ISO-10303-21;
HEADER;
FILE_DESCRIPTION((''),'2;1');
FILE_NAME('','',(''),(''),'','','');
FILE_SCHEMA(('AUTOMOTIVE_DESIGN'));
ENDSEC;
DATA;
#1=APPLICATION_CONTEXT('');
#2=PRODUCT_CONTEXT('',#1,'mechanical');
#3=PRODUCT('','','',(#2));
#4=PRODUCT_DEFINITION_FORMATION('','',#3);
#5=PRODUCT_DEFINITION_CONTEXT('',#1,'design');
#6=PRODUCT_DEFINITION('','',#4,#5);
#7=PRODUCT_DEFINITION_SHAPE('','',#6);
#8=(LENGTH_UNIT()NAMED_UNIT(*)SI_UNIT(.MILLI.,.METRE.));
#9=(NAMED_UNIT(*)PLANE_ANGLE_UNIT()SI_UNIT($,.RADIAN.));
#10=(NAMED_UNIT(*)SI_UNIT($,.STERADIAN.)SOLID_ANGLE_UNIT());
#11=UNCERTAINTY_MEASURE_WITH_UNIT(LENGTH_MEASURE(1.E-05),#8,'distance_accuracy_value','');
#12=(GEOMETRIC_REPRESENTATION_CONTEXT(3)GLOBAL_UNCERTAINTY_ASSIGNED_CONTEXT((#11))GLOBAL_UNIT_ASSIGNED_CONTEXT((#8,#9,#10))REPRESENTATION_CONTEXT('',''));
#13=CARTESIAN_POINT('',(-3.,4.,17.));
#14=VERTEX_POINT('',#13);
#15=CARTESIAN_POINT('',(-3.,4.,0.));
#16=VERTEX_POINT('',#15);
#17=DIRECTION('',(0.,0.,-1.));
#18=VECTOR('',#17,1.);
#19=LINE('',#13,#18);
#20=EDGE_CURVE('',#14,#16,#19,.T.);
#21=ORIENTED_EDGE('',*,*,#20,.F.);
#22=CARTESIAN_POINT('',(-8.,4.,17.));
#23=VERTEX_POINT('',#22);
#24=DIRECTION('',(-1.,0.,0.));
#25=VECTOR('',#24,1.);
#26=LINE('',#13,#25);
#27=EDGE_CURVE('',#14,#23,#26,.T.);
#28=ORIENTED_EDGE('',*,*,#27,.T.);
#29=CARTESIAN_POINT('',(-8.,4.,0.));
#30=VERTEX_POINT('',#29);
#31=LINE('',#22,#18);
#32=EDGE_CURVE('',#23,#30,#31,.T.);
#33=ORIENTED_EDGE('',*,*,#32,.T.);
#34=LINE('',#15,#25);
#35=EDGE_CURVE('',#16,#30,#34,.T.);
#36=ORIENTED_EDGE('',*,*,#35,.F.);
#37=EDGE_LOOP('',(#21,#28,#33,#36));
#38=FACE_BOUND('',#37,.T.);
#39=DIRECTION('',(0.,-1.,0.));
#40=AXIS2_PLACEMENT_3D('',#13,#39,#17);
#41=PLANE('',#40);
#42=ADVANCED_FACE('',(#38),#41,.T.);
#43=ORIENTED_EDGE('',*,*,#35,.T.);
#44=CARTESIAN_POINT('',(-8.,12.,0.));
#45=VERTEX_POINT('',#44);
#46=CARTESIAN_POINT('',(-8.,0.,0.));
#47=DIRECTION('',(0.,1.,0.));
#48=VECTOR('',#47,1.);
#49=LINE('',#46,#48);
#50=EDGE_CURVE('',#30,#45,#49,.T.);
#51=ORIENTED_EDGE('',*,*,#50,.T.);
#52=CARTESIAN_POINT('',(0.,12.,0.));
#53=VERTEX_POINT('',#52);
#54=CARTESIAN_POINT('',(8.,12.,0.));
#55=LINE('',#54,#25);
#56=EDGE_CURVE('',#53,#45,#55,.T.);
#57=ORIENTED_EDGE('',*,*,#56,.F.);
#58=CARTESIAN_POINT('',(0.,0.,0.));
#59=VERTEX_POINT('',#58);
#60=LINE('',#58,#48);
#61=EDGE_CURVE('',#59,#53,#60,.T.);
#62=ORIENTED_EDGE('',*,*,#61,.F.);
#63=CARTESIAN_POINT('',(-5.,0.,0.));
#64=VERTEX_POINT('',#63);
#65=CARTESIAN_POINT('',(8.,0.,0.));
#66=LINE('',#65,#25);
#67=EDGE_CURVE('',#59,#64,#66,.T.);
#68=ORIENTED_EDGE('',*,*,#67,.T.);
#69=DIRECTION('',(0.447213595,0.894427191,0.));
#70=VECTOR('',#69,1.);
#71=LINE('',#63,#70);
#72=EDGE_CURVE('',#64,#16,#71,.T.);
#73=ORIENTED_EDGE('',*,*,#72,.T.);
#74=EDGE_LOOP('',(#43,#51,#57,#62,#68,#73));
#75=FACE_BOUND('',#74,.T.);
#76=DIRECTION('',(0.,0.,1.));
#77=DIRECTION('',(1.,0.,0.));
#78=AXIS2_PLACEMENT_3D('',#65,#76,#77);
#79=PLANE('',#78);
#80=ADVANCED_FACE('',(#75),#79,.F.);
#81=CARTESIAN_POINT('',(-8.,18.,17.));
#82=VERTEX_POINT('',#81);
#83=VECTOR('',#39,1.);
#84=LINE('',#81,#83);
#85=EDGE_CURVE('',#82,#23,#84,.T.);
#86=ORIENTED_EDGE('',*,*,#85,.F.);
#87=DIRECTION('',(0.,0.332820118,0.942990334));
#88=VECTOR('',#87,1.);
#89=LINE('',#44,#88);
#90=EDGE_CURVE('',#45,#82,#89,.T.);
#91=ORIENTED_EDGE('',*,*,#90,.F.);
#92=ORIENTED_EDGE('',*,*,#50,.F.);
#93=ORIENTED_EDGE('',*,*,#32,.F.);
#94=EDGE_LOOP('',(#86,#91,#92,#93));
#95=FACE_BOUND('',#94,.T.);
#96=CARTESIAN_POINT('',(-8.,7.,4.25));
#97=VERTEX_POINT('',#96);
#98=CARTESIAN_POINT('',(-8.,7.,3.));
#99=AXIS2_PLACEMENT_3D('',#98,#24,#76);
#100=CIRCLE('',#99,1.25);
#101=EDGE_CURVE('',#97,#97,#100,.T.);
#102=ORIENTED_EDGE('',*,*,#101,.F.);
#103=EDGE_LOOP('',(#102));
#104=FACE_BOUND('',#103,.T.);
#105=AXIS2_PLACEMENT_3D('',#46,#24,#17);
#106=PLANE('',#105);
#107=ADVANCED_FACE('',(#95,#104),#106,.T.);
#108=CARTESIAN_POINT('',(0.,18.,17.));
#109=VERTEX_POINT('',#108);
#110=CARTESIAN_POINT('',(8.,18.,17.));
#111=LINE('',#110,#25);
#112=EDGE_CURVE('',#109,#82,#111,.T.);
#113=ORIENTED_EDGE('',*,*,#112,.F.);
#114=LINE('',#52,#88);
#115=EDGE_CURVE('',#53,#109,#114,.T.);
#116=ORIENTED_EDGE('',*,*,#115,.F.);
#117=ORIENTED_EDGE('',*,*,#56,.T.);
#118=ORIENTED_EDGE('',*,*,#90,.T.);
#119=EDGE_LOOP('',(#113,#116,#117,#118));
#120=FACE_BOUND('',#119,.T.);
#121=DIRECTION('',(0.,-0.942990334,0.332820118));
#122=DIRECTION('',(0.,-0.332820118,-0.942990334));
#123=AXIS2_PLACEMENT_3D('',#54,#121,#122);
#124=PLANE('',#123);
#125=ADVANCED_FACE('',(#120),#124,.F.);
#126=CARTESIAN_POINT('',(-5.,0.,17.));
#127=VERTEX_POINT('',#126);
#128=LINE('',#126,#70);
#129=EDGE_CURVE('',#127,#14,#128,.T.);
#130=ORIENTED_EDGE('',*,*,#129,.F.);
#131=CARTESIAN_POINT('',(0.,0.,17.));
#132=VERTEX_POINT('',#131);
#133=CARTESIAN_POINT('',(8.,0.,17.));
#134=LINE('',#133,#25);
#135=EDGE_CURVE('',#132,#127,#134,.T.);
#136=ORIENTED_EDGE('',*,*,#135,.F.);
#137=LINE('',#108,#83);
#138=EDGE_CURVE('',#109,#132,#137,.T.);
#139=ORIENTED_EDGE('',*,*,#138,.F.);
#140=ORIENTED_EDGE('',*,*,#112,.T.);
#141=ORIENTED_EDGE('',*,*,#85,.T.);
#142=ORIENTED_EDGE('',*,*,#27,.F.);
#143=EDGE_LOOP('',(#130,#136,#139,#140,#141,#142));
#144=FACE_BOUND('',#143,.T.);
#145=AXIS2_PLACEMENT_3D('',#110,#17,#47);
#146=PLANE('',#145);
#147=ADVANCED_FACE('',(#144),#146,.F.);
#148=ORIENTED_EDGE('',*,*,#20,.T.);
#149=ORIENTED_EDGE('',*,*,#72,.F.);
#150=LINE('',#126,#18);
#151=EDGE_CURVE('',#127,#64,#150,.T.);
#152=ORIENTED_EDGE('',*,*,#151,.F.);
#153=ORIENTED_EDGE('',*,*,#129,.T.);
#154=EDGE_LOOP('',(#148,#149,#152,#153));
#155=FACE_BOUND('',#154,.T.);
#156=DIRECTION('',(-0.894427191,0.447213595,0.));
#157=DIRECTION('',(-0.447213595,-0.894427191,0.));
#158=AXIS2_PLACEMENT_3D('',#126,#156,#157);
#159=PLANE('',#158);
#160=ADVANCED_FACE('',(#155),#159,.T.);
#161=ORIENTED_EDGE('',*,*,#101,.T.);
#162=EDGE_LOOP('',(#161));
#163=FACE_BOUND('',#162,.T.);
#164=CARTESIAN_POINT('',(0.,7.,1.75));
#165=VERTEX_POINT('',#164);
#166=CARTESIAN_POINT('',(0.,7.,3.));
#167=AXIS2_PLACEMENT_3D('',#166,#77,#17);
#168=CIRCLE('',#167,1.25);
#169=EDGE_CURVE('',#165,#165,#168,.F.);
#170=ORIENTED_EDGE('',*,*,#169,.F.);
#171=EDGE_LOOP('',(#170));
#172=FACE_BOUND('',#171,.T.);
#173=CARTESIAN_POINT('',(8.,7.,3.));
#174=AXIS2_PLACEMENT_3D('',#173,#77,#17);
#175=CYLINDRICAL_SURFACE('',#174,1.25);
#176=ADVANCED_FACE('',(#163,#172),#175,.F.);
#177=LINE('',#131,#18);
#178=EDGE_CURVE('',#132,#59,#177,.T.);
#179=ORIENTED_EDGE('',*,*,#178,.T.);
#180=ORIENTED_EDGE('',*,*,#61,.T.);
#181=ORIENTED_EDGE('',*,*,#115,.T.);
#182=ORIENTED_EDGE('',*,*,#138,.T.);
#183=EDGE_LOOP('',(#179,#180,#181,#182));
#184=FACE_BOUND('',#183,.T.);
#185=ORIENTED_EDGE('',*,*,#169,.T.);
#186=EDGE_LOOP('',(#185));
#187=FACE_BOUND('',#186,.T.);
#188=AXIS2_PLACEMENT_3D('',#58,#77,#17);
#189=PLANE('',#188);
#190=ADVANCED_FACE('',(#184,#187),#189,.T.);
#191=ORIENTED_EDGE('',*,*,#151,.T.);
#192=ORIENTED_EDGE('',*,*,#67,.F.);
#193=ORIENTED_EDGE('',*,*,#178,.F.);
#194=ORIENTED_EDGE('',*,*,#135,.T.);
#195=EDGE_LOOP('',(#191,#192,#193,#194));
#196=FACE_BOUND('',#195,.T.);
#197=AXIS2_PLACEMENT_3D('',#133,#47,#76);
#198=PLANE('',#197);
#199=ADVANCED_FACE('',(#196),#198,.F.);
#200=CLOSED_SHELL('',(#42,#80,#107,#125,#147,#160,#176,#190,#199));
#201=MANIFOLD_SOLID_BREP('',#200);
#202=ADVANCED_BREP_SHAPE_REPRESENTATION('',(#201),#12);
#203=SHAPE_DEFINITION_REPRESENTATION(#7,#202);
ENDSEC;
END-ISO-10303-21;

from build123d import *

# Parameters (mm, degrees)
BOSS_EXTRUDE1_DEPTH   = 8
CUT_EXTRUDE2_DEPTH    = 27.019223663
M3X0_5_TAPPED_HOLE1_D = 2.5
SKETCH7_W             = 20.825163494
SKETCH7_H             = 21.535112249
CUT_EXTRUDE3_DEPTH    = 8


with BuildPart() as part:
    # Sketch1 → Boss-Extrude1 (new body)
    with BuildSketch(Plane(origin=(0, 0, 0), x_dir=(0, 0, -1), z_dir=(1, 0, 0))):
        Polygon((0, 0), (0, 12), (-17, 18), (-17, 0), align=None)
    boss_extrude1 = extrude(amount=BOSS_EXTRUDE1_DEPTH)

    # Sketch3 → Cut-Extrude2 (cut, through all)
    with BuildSketch(Plane(origin=(0, 0, 0), x_dir=(-1, 0, 0), z_dir=(0, 0, -1))):
        Polygon((-8, 0), (-5, 0), (-3, 4), (-8, 4), align=None)
    cut_extrude2 = extrude(amount=-CUT_EXTRUDE2_DEPTH, mode=Mode.SUBTRACT)

    # M3x0.5 Tapped Hole1 (through all)
    with Locations(Plane(origin=(8, 7, 3), x_dir=(0, 0, 1), z_dir=(1, 0, 0))):
        with Locations((0, 0)):
            m3x0_5_tapped_hole1 = Hole(M3X0_5_TAPPED_HOLE1_D / 2)

    # Mirror1: Boss-Extrude1, Cut-Extrude2, M3x0.5 Tapped Hole1 across plane
    add(boss_extrude1.mirror(Plane(origin=(0, 0, 0), x_dir=(0, 0, 1), z_dir=(1, 0, 0))))
    add(cut_extrude2.mirror(Plane(origin=(0, 0, 0), x_dir=(0, 0, 1), z_dir=(1, 0, 0))), mode=Mode.SUBTRACT)
    add(m3x0_5_tapped_hole1.mirror(Plane(origin=(0, 0, 0), x_dir=(0, 0, 1), z_dir=(1, 0, 0))), mode=Mode.SUBTRACT)

    # Sketch7 → Cut-Extrude3 (cut)
    with BuildSketch(Plane(origin=(8, 0, 0), x_dir=(0, 0, -1), z_dir=(1, 0, 0))):
        with Locations((-8.18446722, 8.52670083)):
            Rectangle(SKETCH7_W, SKETCH7_H)
    extrude(amount=-CUT_EXTRUDE3_DEPTH, mode=Mode.SUBTRACT)


solid = part.part
